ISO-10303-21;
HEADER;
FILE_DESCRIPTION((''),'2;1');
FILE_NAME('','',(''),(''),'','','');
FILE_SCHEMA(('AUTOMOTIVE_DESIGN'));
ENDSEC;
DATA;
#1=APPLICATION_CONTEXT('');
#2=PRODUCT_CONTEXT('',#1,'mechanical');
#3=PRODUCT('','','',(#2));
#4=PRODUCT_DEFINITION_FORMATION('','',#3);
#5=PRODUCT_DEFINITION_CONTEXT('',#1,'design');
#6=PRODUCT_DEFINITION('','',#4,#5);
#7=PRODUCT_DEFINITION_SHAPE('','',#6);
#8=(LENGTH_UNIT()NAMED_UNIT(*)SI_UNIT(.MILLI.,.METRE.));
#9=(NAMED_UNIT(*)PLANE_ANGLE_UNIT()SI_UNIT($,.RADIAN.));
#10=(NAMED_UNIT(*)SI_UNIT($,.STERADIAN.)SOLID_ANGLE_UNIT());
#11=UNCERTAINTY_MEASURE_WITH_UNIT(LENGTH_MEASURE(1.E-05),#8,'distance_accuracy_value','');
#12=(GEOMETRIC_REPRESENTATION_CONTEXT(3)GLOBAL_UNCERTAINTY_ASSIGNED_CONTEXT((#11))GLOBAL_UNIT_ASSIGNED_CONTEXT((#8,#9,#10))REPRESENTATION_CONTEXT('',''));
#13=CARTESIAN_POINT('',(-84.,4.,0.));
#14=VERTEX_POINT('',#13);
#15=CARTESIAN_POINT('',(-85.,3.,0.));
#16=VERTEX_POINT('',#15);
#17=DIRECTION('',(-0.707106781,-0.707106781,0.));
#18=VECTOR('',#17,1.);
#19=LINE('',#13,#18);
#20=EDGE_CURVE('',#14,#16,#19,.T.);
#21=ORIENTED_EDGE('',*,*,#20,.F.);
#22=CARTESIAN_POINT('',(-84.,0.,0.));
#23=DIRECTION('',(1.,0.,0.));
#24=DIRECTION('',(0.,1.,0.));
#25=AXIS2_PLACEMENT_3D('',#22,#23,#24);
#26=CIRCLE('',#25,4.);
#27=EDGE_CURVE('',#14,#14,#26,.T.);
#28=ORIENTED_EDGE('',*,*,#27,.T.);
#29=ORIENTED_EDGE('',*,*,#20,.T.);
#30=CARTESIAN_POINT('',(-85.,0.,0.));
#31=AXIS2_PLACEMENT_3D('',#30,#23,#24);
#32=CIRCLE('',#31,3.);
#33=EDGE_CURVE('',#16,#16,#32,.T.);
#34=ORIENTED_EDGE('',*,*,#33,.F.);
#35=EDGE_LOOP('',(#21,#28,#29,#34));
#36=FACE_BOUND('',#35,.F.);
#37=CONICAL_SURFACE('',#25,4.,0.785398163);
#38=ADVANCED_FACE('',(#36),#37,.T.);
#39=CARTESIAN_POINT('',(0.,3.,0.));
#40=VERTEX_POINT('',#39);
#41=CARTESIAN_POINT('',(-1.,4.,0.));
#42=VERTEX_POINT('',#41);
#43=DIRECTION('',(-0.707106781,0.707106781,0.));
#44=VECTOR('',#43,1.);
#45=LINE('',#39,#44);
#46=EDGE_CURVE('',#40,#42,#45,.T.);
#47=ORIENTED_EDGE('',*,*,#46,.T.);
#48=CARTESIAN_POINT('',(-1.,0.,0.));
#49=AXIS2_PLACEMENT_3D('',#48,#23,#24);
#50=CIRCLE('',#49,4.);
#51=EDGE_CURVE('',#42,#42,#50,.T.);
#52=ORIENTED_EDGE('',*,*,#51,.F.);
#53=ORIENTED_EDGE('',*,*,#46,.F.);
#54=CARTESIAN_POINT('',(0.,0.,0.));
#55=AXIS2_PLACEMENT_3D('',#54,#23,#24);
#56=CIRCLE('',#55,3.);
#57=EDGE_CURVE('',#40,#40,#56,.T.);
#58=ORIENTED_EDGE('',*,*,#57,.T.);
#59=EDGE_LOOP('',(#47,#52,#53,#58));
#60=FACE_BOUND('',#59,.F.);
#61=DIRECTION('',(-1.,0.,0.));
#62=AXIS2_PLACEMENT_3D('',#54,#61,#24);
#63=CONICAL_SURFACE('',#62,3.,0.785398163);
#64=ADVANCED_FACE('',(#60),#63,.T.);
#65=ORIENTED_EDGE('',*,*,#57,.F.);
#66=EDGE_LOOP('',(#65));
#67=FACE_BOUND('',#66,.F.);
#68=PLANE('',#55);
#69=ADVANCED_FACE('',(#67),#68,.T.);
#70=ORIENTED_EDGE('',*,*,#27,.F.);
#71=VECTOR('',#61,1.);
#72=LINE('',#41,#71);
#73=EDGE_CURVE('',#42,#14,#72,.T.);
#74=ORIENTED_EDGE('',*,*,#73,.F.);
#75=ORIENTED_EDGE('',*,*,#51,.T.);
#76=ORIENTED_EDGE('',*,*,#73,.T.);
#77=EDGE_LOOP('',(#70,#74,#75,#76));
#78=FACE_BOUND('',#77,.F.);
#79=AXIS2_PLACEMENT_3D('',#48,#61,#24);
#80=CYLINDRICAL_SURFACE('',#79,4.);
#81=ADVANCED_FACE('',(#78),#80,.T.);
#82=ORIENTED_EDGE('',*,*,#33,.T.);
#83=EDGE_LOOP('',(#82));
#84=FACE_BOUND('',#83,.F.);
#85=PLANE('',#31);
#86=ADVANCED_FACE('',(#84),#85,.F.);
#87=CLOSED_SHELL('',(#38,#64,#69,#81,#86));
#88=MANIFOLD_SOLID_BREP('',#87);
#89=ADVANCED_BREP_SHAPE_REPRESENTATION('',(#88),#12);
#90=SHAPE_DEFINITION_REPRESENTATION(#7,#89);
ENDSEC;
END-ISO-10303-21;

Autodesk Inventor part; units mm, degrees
ref_plane "YZ Plane" through (0, 0, 0) normal (1, 0, 0) x (0, 1, 0)
ref_plane "XZ Plane" through (0, 0, 0) normal (0, 1, 0) x (-1, 0, 0)
ref_plane "XY Plane" through (0, 0, 0) normal (0, 0, 1) x (1, 0, 0)
sketch "Sketch1" plane through (0, 0, 0) normal (0, 0, 1) x (1, 0, 0)
  line L0 (0, 0) -> (0, 3)
  line L1 (0, 3) -> (-1, 4)
  line L2 (-1, 4) -> (-84, 4)
  line L3 (-84, 4) -> (-85, 3)
  line L4 (-85, 3) -> (-85, 0)
  line L5 (-85, 0) -> (0, 0)
  dimension "d0" = 4
  dimension "d1" = 135
  dimension "d2" = 1
  dimension "d3" = 85
revolve "Revolution1" add sketch "Sketch1" angle 360 about axis through (-85, 0, 0) along (1, 0, 0)
properties part number "M8x85mm Threaded Rod"
